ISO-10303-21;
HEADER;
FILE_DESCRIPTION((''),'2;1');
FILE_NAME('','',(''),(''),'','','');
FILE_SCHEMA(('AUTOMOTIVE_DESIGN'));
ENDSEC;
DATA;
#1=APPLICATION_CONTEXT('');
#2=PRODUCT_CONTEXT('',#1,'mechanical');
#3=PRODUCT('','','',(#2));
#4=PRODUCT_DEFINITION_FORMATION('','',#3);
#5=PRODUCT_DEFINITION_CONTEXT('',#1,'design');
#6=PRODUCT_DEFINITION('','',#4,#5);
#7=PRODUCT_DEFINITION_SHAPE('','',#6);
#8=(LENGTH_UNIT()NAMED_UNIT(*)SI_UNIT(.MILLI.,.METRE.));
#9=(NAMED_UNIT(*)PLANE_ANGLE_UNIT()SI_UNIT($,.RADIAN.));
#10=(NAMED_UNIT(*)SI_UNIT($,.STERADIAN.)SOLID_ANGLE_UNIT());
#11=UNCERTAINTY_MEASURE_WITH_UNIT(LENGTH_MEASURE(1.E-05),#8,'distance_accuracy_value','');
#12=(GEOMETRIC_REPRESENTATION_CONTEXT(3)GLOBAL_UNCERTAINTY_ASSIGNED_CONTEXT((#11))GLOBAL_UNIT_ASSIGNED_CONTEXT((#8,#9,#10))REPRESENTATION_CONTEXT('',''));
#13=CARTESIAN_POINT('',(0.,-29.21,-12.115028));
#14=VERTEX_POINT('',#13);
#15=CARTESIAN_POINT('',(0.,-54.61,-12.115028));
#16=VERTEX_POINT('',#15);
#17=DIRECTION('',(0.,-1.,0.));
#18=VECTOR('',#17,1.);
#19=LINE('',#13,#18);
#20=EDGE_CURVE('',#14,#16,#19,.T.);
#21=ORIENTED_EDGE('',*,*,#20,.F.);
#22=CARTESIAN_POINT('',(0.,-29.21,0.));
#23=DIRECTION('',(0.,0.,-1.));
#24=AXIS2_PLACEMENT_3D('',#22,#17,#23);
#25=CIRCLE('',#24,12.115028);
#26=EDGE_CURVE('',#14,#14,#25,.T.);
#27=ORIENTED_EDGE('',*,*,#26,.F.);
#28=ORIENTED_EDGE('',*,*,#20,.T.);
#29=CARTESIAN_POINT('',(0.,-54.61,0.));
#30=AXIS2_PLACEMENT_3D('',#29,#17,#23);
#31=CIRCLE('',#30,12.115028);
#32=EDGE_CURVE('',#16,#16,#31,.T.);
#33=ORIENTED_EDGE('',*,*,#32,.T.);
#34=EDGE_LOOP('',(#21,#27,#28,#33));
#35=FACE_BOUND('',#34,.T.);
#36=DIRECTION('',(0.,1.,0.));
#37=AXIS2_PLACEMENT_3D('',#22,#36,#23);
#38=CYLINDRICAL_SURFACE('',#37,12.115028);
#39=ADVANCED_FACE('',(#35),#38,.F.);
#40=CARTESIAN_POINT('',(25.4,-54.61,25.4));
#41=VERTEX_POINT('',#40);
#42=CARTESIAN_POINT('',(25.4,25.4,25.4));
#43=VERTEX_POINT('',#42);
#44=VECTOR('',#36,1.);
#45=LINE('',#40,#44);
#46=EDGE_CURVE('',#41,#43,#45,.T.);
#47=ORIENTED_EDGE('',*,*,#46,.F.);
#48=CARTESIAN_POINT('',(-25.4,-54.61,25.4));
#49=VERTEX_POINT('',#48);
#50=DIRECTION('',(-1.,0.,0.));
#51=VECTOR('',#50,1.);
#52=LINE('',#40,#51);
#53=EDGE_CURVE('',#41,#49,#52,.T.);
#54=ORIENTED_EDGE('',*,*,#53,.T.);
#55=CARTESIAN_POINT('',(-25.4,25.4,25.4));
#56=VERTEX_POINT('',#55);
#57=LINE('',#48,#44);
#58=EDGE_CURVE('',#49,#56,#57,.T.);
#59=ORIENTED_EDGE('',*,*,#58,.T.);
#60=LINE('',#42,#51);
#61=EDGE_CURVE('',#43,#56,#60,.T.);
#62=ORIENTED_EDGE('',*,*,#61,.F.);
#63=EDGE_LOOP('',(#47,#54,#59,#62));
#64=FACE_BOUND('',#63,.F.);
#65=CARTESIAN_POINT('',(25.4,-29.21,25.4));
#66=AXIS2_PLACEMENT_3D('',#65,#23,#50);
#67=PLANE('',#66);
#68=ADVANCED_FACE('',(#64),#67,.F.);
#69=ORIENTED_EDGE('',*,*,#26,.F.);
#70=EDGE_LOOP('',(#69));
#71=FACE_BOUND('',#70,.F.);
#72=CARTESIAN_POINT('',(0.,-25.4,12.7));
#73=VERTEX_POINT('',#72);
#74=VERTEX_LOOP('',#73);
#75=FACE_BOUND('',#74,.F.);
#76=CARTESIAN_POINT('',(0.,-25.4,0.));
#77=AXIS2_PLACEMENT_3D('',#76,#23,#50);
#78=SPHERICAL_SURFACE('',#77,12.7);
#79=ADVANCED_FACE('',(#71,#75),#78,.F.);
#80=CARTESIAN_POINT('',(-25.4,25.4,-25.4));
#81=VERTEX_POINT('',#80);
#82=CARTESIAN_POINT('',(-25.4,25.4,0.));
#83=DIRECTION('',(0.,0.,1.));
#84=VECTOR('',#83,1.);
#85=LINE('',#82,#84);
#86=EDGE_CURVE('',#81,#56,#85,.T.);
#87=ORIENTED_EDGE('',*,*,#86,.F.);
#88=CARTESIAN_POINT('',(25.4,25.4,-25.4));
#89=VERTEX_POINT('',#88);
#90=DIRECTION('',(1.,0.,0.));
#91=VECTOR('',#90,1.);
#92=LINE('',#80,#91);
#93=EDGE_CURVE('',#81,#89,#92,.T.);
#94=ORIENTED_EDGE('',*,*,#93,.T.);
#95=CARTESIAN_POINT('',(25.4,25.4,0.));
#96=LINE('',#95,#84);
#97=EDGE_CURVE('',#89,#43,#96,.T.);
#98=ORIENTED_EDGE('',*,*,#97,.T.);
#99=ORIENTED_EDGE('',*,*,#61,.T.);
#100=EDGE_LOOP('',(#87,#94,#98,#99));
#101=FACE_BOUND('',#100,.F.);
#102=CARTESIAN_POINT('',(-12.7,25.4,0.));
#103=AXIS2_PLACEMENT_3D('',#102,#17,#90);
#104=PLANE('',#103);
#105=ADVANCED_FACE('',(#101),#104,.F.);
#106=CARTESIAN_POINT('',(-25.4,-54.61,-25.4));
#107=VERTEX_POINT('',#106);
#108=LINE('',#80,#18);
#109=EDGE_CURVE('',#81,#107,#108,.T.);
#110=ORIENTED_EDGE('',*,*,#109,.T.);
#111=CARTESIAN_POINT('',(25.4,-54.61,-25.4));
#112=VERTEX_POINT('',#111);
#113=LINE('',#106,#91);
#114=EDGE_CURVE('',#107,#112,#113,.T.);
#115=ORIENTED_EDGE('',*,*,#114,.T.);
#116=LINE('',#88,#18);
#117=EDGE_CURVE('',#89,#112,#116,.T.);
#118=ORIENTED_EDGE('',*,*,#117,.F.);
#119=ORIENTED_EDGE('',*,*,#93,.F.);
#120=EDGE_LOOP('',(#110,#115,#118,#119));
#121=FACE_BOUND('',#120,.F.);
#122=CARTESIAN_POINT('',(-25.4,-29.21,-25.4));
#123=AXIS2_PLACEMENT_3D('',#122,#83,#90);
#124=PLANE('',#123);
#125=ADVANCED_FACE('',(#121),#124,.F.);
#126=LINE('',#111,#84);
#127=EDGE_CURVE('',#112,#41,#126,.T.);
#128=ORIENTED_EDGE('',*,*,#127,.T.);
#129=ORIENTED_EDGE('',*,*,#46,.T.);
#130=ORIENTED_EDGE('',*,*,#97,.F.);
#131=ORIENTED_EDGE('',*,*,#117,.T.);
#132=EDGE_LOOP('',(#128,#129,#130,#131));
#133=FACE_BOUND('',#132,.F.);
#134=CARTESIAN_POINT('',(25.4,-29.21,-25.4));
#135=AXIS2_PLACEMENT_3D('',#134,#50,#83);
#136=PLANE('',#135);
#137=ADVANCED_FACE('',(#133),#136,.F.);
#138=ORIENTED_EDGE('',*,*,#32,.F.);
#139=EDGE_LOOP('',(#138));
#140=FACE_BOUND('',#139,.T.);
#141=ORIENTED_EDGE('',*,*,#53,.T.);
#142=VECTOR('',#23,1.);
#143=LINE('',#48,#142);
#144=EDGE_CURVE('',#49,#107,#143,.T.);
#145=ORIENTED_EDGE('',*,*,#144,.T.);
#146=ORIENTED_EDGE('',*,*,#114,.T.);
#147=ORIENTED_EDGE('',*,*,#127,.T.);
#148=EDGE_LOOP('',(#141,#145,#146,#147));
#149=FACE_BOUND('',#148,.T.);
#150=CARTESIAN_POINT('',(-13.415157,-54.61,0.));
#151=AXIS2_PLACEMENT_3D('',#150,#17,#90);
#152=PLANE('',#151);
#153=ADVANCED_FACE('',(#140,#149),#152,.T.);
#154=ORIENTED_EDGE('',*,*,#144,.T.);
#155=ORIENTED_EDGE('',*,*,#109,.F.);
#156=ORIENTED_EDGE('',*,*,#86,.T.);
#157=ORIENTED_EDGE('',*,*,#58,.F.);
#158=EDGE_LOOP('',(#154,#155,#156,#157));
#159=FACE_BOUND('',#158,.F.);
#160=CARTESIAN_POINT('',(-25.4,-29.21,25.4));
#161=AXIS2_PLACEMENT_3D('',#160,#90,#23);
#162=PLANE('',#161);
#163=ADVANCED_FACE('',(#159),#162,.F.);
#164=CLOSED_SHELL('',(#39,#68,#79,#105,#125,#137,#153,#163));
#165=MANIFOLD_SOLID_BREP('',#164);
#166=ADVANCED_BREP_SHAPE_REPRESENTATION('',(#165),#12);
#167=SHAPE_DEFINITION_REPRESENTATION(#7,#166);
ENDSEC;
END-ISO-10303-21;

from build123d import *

# Parameters (mm, degrees)
F0_W     = 25.4
F0_H     = 50.8
F1_DEPTH = 25.4
F3_DEPTH = 25.4
F5_DEPTH = 21.59
F6_DEPTH = 25.4


with BuildPart() as f1:
    # F0 (on Front) → F1 (new body, symmetric)
    with BuildSketch(Plane.XZ):
        with Locations((-12.7, 0)):
            Rectangle(F0_W, F0_H)
        with Locations((12.7, 0)):
            Rectangle(F0_W, F0_H)
    extrude(amount=F1_DEPTH, both=True)

    # F2 (on face) → F3 (join)
    with BuildSketch(Plane.XZ.offset(25.4)):
        with BuildLine():
            ThreePointArc((0, -12.7), (-12.7, 0), (0, 12.7))
            Line((0, 12.7), (0, 25.4))
            Line((0, 25.4), (-25.4, 25.4))
            Line((-25.4, 25.4), (-25.4, -25.4))
            Line((-25.4, -25.4), (0, -25.4))
            Line((0, -25.4), (0, -12.7))
        make_face()
        with BuildLine():
            ThreePointArc((0, 12.7), (8.9802561211, 8.9802561211), (12.7, 0))
            ThreePointArc((12.7, 0), (8.9802561211, -8.9802561211), (0, -12.7))
            Line((0, -12.7), (0, -25.4))
            Line((0, -25.4), (25.4, -25.4))
            Line((25.4, -25.4), (25.4, 25.4))
            Line((25.4, 25.4), (0, 25.4))
            Line((0, 25.4), (0, 12.7))
        make_face()
        with BuildLine():
            Line((0, -12.7), (0, 12.7))
            ThreePointArc((0, 12.7), (-12.7, 0), (0, -12.7))
        make_face()
        with BuildLine():
            ThreePointArc((0, -12.7), (8.9802561211, -8.9802561211), (12.7, 0))
            ThreePointArc((12.7, 0), (8.9802561211, 8.9802561211), (0, 12.7))
            Line((0, 12.7), (0, -12.7))
        make_face()
    extrude(amount=F3_DEPTH)

    # F2 (on face) → F4 (revolve, cut)
    with BuildSketch(Plane.XZ.offset(25.4)):
        with BuildLine():
            Line((0, -12.7), (0, 12.7))
            ThreePointArc((0, 12.7), (-12.7, 0), (0, -12.7))
        make_face()
    revolve(axis=Axis((0, -25.4, -7.401805371), (0, 0, -1)), mode=Mode.SUBTRACT)

    # F5 (cut): a face of the model
    f5_faces = [f1.faces().sort_by_distance(p)[0] for p in [
        (0, -50.8, 0),
    ]]
    extrude(f5_faces, amount=-F5_DEPTH, mode=Mode.SUBTRACT)

    # F6 (add): a face of the model
    f6_faces = [f1.faces().sort_by_distance(p)[0] for p in [
        (-24.6815795103, -29.21, 0),
    ]]
    extrude(f6_faces, amount=F6_DEPTH)


solid = f1.part
